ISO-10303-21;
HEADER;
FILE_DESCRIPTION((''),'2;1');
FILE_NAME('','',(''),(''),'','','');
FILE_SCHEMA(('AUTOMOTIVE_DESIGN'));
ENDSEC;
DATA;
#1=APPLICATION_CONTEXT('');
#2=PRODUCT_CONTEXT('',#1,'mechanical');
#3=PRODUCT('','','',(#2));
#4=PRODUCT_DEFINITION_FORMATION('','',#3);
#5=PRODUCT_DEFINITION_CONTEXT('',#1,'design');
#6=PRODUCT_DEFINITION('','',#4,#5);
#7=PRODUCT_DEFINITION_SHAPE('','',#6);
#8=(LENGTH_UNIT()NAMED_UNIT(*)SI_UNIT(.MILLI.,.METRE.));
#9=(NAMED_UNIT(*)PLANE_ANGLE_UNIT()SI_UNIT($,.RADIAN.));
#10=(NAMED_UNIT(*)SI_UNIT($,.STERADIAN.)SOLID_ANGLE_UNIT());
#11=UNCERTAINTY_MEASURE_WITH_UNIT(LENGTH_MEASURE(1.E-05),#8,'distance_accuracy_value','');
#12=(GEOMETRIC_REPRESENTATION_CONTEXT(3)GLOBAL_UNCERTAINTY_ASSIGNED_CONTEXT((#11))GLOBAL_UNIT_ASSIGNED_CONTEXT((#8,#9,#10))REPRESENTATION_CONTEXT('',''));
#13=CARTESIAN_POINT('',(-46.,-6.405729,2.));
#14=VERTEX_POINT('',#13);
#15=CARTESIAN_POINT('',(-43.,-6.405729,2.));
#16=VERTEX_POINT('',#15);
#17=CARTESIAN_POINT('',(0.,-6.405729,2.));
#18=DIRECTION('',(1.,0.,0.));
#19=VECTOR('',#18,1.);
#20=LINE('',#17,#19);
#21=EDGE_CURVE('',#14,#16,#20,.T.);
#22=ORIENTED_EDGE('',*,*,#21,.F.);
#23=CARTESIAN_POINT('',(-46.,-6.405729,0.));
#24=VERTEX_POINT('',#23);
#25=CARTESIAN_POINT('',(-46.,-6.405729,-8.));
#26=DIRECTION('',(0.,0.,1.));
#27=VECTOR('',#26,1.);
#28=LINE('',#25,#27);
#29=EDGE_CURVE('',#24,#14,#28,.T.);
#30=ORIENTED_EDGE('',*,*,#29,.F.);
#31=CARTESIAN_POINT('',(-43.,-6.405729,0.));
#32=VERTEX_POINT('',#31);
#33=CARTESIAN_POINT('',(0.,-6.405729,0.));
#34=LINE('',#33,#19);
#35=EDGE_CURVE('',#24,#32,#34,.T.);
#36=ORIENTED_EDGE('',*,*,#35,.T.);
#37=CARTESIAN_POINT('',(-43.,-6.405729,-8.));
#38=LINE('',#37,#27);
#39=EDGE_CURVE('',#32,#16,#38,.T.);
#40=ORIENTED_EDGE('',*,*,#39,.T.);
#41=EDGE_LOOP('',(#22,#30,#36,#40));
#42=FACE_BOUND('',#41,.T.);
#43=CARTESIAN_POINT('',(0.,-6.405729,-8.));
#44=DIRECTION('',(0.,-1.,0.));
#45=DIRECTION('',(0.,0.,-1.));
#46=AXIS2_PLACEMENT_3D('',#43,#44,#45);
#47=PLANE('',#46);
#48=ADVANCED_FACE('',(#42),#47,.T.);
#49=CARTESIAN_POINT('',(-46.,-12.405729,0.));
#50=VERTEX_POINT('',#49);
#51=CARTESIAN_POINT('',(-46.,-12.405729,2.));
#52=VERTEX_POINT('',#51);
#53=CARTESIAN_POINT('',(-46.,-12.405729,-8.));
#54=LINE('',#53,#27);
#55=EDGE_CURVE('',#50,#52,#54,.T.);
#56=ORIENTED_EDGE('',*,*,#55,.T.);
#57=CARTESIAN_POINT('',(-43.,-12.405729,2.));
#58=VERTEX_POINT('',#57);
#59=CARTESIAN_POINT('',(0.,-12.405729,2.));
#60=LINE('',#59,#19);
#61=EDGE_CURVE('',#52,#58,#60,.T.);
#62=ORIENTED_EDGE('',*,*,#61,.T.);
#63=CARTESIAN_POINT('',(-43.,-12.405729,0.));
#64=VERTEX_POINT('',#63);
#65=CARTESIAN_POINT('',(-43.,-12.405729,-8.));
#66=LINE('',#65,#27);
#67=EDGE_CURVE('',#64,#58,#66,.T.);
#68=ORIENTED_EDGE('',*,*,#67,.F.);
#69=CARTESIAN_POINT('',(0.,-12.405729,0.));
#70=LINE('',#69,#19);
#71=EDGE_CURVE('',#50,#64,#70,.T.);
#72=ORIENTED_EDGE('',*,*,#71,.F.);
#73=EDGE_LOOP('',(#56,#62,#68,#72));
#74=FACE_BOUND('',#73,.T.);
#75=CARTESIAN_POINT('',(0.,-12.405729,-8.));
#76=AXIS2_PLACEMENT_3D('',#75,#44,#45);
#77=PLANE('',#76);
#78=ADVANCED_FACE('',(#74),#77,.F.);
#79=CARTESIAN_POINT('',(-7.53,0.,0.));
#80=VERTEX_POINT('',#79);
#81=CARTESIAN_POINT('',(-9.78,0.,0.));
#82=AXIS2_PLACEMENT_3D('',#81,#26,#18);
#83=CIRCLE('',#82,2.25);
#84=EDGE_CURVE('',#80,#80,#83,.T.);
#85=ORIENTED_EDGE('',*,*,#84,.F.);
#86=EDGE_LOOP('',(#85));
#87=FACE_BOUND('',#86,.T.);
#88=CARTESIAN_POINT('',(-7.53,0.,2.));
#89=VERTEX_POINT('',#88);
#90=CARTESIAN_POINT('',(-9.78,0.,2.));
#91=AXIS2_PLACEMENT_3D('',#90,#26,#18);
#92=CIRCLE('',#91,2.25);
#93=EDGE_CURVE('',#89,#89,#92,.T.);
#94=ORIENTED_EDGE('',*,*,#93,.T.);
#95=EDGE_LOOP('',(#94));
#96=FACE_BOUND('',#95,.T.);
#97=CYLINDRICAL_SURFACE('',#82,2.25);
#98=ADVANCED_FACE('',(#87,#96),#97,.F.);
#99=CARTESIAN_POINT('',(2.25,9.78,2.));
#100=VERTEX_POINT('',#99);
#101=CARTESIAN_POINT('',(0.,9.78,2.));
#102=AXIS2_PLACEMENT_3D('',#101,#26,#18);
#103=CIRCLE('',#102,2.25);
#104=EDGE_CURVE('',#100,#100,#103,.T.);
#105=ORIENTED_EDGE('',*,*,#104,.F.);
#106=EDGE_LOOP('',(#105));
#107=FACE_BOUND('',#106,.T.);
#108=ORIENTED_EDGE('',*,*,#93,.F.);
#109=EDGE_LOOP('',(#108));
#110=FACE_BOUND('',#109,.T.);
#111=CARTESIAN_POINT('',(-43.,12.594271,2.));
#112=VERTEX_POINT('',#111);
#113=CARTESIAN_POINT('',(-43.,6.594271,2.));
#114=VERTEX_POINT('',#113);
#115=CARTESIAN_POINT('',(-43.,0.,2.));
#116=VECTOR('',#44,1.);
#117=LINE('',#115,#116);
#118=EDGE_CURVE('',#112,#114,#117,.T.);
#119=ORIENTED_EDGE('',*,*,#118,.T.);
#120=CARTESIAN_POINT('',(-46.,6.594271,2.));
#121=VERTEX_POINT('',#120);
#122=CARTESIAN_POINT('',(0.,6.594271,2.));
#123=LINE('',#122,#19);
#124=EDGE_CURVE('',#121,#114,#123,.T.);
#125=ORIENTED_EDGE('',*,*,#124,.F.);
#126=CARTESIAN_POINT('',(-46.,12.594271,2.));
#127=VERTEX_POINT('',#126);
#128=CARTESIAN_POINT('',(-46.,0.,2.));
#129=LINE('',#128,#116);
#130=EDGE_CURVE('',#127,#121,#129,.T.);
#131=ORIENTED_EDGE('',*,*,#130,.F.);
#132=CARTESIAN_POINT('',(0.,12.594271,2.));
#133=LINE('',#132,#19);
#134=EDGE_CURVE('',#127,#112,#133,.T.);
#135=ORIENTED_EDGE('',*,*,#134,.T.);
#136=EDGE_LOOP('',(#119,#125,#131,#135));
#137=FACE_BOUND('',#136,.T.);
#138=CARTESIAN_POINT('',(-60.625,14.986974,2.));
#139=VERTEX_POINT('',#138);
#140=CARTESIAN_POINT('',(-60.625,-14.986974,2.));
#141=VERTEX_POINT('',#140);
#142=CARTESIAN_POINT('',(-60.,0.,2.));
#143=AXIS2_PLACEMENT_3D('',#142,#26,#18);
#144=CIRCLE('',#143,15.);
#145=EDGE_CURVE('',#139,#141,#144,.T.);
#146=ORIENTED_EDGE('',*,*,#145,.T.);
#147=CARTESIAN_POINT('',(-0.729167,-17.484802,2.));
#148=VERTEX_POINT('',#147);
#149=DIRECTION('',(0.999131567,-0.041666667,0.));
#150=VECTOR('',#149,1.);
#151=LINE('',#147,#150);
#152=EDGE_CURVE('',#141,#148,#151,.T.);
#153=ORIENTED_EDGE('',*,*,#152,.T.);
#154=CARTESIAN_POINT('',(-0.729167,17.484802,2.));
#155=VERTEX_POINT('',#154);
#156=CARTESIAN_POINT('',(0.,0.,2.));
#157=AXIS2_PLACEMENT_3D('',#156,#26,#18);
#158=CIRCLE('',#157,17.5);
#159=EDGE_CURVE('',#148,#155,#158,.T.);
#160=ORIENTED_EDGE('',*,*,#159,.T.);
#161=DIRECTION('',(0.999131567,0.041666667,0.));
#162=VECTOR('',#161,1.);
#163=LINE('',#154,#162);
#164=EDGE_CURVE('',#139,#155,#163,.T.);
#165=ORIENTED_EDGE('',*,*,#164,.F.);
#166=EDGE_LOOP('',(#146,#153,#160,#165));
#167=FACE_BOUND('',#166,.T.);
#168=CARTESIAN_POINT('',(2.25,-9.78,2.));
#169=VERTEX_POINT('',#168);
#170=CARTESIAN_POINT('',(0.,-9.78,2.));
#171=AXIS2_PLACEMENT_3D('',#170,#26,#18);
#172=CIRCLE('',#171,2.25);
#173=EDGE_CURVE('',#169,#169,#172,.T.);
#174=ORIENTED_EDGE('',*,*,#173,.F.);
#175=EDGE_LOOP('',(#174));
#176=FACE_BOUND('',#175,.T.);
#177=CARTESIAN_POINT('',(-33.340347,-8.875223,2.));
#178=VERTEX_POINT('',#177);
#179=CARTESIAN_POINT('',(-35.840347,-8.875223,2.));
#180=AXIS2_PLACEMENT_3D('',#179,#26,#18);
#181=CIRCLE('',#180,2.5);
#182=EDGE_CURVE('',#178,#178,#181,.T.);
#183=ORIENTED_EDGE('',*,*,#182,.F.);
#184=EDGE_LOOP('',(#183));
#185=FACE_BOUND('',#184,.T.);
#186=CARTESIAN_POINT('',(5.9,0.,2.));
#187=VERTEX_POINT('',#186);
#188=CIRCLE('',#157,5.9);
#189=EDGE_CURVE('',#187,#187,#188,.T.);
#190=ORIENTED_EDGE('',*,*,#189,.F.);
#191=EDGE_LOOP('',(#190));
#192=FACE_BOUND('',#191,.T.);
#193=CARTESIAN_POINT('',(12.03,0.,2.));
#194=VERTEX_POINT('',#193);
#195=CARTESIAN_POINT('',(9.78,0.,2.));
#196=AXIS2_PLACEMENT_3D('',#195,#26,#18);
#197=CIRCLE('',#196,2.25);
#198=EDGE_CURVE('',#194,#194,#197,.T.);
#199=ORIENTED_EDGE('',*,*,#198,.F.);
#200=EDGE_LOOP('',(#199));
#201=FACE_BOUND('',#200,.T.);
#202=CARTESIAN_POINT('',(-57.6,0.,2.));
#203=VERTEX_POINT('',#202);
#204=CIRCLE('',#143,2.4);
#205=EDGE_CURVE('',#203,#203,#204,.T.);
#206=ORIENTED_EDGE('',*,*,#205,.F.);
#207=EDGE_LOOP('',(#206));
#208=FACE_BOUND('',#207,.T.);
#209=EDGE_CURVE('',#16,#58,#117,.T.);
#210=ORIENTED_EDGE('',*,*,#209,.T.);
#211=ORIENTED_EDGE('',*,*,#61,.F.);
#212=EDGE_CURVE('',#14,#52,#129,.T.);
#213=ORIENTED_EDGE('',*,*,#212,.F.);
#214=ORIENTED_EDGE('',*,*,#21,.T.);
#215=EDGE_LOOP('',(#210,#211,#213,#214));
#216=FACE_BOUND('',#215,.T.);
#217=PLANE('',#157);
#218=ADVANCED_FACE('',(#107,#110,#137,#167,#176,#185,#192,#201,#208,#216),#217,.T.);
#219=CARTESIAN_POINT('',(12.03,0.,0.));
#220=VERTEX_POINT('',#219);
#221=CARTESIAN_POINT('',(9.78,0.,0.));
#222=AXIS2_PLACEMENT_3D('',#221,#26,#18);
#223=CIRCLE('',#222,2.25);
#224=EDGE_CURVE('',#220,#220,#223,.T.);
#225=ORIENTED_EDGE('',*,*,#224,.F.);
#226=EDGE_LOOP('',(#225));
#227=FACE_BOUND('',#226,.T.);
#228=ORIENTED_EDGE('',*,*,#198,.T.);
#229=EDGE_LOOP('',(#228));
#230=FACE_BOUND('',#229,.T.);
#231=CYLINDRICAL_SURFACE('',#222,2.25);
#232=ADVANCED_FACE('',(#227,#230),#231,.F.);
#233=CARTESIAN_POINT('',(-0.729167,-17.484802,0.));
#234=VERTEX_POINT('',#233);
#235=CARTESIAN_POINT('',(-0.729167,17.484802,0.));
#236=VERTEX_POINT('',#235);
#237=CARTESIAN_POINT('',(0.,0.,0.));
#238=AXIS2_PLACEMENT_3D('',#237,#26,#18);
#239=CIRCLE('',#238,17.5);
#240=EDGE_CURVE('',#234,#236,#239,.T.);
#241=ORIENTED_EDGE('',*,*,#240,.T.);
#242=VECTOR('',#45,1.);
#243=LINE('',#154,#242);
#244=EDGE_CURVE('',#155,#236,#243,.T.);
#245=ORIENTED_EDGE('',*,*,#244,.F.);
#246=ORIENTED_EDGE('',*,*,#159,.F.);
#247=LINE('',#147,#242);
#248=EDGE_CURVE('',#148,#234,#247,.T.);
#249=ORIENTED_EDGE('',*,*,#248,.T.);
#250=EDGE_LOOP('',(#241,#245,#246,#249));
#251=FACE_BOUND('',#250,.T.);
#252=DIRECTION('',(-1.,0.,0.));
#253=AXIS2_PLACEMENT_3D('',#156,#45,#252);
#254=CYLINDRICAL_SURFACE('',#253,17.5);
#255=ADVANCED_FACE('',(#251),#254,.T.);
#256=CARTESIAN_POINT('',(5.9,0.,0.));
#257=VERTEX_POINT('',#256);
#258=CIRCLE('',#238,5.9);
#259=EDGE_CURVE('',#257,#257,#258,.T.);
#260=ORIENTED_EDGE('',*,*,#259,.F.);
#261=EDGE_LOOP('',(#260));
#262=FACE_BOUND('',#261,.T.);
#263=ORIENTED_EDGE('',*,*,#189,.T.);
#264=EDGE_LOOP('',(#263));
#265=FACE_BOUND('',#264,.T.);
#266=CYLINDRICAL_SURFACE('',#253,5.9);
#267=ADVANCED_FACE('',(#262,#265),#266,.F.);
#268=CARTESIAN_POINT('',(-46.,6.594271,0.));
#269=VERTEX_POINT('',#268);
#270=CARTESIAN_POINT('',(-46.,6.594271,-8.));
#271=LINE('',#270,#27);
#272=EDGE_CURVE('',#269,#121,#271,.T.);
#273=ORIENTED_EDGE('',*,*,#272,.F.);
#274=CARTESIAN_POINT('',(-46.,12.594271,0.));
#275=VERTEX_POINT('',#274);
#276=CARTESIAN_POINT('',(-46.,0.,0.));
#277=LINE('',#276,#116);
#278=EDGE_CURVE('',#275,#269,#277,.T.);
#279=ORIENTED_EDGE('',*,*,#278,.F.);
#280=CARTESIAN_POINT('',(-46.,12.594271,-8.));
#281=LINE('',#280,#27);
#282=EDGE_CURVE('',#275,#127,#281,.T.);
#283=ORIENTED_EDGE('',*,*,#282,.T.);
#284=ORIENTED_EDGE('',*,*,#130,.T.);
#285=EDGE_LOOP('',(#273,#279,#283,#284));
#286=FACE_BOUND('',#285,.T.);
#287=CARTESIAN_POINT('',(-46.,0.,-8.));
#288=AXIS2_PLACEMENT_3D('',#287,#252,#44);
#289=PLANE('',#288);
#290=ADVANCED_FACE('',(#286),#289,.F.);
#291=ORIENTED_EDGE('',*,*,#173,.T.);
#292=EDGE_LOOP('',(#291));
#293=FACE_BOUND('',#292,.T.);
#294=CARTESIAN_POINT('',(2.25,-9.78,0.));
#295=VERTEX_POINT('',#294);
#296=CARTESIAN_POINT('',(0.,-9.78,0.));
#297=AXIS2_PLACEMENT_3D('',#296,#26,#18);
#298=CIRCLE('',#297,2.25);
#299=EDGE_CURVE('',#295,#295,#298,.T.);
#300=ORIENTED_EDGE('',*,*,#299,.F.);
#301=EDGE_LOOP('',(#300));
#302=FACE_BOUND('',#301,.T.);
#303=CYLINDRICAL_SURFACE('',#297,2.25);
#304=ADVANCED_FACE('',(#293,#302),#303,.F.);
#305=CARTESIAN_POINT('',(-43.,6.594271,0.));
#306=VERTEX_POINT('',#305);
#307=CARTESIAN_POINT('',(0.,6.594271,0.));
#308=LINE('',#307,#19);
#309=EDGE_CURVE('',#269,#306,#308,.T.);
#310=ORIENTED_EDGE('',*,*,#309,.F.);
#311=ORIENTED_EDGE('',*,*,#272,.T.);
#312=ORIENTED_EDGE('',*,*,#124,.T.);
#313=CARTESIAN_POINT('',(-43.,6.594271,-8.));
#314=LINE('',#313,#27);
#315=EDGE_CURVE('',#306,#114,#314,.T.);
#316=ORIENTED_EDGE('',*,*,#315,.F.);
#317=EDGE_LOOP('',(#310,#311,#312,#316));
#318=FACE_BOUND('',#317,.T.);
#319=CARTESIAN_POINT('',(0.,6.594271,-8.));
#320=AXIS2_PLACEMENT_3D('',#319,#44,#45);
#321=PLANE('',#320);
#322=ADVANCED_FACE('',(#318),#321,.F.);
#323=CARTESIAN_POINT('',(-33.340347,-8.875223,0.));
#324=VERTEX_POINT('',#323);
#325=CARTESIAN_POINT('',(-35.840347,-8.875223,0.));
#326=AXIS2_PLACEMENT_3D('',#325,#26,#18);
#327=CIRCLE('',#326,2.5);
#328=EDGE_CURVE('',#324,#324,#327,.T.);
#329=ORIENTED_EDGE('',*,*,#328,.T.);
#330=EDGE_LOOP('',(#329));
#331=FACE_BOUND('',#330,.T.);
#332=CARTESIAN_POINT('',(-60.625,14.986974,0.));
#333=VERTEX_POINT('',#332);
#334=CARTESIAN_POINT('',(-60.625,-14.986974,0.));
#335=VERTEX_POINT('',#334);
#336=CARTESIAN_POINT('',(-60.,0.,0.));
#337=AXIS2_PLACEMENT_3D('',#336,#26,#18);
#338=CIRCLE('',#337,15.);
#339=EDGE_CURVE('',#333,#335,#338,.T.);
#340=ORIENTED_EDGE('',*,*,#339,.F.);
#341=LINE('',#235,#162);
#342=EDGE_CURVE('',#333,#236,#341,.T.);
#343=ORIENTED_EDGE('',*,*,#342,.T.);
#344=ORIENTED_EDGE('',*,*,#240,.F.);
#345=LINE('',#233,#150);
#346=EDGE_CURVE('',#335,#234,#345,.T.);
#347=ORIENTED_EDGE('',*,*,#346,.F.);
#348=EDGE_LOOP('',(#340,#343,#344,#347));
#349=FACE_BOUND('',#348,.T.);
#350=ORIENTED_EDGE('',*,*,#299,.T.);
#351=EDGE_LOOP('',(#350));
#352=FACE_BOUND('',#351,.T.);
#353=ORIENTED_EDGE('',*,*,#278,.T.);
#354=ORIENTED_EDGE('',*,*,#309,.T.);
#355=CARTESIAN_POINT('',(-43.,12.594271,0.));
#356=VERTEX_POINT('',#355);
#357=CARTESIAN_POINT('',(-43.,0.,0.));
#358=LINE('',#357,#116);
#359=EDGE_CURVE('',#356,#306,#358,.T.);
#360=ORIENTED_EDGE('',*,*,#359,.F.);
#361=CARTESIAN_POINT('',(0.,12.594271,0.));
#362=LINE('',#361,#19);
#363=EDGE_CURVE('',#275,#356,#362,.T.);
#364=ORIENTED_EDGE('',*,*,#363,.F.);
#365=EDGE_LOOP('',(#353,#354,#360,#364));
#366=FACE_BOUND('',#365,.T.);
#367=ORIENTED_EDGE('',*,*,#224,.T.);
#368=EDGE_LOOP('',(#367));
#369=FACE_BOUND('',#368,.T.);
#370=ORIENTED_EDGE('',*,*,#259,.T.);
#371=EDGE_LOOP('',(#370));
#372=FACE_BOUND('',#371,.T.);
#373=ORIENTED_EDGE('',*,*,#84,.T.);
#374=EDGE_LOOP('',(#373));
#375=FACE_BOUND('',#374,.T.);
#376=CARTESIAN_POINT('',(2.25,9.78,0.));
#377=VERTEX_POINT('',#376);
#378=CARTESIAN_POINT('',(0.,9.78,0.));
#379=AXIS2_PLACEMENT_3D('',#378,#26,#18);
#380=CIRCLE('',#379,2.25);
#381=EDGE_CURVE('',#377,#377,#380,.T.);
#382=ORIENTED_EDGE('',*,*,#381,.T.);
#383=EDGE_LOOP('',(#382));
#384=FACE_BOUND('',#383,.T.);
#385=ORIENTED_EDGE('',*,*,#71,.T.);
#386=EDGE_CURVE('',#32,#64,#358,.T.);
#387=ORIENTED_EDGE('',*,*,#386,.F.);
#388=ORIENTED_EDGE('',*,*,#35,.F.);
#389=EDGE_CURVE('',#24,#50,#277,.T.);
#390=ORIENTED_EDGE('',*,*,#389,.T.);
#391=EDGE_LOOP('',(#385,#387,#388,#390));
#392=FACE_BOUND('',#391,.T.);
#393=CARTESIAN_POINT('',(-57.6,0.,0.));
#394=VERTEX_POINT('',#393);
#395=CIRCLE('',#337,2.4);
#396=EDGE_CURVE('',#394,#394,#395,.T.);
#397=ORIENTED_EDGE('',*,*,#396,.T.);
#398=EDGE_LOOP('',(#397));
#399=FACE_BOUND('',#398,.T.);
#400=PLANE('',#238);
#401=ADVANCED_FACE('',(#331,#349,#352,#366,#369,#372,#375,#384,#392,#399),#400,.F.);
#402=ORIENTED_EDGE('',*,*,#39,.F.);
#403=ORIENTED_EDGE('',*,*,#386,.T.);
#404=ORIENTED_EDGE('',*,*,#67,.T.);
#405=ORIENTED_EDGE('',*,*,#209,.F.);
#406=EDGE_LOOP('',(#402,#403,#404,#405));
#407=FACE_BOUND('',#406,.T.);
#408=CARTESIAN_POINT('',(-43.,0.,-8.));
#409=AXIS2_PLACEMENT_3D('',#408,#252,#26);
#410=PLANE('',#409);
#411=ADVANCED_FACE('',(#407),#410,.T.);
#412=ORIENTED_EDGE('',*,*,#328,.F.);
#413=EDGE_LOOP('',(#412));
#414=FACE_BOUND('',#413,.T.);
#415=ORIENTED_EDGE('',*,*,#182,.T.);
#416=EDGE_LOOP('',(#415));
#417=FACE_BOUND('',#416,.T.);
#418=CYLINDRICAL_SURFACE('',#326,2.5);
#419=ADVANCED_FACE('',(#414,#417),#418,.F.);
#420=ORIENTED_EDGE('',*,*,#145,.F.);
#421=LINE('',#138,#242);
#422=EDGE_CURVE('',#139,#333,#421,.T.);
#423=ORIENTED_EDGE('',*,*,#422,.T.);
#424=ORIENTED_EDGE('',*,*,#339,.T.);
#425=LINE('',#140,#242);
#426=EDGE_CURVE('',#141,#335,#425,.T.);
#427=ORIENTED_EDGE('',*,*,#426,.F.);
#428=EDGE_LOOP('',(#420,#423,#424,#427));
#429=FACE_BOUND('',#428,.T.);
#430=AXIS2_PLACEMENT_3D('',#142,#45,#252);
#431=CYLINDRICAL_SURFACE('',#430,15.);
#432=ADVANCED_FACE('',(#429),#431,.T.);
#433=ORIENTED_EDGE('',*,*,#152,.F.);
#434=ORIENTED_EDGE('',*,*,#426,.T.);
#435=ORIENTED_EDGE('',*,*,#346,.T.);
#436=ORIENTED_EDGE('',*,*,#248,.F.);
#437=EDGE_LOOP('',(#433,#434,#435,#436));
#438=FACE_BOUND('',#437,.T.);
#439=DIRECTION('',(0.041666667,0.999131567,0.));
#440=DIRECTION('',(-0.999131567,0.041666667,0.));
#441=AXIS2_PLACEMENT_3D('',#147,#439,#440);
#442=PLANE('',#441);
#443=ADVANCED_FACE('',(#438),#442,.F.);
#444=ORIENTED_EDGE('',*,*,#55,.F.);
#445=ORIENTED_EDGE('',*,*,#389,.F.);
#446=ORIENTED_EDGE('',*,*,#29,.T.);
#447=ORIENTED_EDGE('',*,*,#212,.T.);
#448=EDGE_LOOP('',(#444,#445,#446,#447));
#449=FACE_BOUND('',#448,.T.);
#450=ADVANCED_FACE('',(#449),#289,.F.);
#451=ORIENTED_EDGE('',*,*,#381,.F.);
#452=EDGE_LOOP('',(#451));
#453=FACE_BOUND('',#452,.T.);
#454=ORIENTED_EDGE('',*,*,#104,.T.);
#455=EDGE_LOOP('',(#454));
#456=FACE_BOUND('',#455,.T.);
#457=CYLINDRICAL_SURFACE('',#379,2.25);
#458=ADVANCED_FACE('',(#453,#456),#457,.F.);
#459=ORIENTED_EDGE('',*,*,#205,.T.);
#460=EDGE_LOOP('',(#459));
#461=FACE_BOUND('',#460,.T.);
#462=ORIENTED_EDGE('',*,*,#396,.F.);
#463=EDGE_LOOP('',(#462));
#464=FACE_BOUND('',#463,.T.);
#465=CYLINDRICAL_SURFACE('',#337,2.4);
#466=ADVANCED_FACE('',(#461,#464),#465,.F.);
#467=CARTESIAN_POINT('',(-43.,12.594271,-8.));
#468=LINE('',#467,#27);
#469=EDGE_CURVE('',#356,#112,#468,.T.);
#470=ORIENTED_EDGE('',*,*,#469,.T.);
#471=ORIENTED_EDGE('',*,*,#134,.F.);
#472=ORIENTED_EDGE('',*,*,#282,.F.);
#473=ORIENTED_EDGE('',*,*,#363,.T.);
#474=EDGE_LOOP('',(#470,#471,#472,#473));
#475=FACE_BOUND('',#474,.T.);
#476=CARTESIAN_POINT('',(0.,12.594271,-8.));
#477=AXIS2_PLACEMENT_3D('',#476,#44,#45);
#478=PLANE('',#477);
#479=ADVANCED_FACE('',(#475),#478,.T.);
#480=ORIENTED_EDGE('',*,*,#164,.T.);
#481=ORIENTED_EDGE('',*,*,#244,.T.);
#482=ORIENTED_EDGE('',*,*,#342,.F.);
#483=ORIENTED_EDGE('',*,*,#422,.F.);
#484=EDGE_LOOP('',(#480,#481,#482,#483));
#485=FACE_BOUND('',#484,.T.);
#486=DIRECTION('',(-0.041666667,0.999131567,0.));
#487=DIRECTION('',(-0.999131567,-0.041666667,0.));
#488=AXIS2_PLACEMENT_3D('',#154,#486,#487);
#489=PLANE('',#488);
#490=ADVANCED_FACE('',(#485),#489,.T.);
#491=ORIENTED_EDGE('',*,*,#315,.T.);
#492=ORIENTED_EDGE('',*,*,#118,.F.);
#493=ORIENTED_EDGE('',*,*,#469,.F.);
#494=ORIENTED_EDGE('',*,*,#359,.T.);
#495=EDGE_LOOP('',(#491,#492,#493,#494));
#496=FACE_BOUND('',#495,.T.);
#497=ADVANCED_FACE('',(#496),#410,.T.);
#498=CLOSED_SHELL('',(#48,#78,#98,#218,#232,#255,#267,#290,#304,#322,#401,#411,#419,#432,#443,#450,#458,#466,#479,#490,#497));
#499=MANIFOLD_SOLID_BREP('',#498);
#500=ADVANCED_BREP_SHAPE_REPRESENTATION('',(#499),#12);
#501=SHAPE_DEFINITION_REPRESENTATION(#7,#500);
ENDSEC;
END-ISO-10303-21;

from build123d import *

# Parameters (mm, degrees)
SKETCH1_R           = 17.5
SKETCH1_R_2         = 5.9
SKETCH1_R_3         = 15
BOSS_EXTRUDE1_DEPTH = 2
SKETCH2_R           = 2.25
CUT_EXTRUDE1_DEPTH  = 78.040573726
SKETCH3_R           = 2.4
CUT_EXTRUDE2_DEPTH  = 78.040573726
SKETCH4_W           = 3
SKETCH4_H           = 6
CUT_EXTRUDE3_DEPTH  = 10
SKETCH5_R           = 2.5
CUT_EXTRUDE4_DEPTH  = 78.040573726


with BuildPart() as part:
    # Sketch1 → Boss-Extrude1 (new body)
    # profile 1 of 3: a face of its own
    with BuildSketch(Plane.XY):
        Circle(SKETCH1_R)
        Circle(SKETCH1_R_2, mode=Mode.SUBTRACT)
    # profile 2 of 3: a face of its own
    with BuildSketch(Plane.XY):
        with Locations((-60, 0)):
            Circle(SKETCH1_R_3)
    # profile 3 of 3: a face of its own
    with BuildSketch(Plane.XY):
        with BuildLine():
            Line((-0.729166667, 17.484802429), (-60.625, 14.98697351))
            ThreePointArc((-60.625, 14.98697351), (-49.616720171, 10.825317547), (-45, 0))
            ThreePointArc((-45, 0), (-49.616720171, -10.825317547), (-60.625, -14.98697351))
            Line((-60.625, -14.98697351), (-0.729166667, -17.484802429))
            ThreePointArc((-0.729166667, -17.484802429), (-17.5, 0), (-0.729166667, 17.484802429))
        make_face()
    extrude(amount=BOSS_EXTRUDE1_DEPTH)

    # Sketch2 → Cut-Extrude1 (cut, through all)
    with BuildSketch(Plane.XY.offset(2)):
        with Locations((0, 9.78)):
            Circle(SKETCH2_R)
        with Locations((9.78, 0)):
            Circle(SKETCH2_R)
        with Locations((0, -9.78)):
            Circle(SKETCH2_R)
        with Locations((-9.78, 0)):
            Circle(SKETCH2_R)
    extrude(amount=-CUT_EXTRUDE1_DEPTH, mode=Mode.SUBTRACT)

    # Sketch3 → Cut-Extrude2 (cut, through all)
    with BuildSketch(Plane.XY.offset(2)):
        with Locations((-60, 0)):
            Circle(SKETCH3_R)
    extrude(amount=-CUT_EXTRUDE2_DEPTH, mode=Mode.SUBTRACT)

    # Sketch4 → Cut-Extrude3 (cut)
    with BuildSketch(Plane.XY.offset(2)):
        with Locations((-44.5, -9.405729391)):
            Rectangle(SKETCH4_W, SKETCH4_H)
        with Locations((-44.5, 9.594270609)):
            Rectangle(SKETCH4_W, SKETCH4_H)
    extrude(amount=-CUT_EXTRUDE3_DEPTH, mode=Mode.SUBTRACT)

    # Sketch5 → Cut-Extrude4 (cut, through all)
    with BuildSketch(Plane.XY.offset(2)):
        with Locations((-35.840347269, -8.875222906)):
            Circle(SKETCH5_R)
    extrude(amount=-CUT_EXTRUDE4_DEPTH, mode=Mode.SUBTRACT)


solid = part.part
